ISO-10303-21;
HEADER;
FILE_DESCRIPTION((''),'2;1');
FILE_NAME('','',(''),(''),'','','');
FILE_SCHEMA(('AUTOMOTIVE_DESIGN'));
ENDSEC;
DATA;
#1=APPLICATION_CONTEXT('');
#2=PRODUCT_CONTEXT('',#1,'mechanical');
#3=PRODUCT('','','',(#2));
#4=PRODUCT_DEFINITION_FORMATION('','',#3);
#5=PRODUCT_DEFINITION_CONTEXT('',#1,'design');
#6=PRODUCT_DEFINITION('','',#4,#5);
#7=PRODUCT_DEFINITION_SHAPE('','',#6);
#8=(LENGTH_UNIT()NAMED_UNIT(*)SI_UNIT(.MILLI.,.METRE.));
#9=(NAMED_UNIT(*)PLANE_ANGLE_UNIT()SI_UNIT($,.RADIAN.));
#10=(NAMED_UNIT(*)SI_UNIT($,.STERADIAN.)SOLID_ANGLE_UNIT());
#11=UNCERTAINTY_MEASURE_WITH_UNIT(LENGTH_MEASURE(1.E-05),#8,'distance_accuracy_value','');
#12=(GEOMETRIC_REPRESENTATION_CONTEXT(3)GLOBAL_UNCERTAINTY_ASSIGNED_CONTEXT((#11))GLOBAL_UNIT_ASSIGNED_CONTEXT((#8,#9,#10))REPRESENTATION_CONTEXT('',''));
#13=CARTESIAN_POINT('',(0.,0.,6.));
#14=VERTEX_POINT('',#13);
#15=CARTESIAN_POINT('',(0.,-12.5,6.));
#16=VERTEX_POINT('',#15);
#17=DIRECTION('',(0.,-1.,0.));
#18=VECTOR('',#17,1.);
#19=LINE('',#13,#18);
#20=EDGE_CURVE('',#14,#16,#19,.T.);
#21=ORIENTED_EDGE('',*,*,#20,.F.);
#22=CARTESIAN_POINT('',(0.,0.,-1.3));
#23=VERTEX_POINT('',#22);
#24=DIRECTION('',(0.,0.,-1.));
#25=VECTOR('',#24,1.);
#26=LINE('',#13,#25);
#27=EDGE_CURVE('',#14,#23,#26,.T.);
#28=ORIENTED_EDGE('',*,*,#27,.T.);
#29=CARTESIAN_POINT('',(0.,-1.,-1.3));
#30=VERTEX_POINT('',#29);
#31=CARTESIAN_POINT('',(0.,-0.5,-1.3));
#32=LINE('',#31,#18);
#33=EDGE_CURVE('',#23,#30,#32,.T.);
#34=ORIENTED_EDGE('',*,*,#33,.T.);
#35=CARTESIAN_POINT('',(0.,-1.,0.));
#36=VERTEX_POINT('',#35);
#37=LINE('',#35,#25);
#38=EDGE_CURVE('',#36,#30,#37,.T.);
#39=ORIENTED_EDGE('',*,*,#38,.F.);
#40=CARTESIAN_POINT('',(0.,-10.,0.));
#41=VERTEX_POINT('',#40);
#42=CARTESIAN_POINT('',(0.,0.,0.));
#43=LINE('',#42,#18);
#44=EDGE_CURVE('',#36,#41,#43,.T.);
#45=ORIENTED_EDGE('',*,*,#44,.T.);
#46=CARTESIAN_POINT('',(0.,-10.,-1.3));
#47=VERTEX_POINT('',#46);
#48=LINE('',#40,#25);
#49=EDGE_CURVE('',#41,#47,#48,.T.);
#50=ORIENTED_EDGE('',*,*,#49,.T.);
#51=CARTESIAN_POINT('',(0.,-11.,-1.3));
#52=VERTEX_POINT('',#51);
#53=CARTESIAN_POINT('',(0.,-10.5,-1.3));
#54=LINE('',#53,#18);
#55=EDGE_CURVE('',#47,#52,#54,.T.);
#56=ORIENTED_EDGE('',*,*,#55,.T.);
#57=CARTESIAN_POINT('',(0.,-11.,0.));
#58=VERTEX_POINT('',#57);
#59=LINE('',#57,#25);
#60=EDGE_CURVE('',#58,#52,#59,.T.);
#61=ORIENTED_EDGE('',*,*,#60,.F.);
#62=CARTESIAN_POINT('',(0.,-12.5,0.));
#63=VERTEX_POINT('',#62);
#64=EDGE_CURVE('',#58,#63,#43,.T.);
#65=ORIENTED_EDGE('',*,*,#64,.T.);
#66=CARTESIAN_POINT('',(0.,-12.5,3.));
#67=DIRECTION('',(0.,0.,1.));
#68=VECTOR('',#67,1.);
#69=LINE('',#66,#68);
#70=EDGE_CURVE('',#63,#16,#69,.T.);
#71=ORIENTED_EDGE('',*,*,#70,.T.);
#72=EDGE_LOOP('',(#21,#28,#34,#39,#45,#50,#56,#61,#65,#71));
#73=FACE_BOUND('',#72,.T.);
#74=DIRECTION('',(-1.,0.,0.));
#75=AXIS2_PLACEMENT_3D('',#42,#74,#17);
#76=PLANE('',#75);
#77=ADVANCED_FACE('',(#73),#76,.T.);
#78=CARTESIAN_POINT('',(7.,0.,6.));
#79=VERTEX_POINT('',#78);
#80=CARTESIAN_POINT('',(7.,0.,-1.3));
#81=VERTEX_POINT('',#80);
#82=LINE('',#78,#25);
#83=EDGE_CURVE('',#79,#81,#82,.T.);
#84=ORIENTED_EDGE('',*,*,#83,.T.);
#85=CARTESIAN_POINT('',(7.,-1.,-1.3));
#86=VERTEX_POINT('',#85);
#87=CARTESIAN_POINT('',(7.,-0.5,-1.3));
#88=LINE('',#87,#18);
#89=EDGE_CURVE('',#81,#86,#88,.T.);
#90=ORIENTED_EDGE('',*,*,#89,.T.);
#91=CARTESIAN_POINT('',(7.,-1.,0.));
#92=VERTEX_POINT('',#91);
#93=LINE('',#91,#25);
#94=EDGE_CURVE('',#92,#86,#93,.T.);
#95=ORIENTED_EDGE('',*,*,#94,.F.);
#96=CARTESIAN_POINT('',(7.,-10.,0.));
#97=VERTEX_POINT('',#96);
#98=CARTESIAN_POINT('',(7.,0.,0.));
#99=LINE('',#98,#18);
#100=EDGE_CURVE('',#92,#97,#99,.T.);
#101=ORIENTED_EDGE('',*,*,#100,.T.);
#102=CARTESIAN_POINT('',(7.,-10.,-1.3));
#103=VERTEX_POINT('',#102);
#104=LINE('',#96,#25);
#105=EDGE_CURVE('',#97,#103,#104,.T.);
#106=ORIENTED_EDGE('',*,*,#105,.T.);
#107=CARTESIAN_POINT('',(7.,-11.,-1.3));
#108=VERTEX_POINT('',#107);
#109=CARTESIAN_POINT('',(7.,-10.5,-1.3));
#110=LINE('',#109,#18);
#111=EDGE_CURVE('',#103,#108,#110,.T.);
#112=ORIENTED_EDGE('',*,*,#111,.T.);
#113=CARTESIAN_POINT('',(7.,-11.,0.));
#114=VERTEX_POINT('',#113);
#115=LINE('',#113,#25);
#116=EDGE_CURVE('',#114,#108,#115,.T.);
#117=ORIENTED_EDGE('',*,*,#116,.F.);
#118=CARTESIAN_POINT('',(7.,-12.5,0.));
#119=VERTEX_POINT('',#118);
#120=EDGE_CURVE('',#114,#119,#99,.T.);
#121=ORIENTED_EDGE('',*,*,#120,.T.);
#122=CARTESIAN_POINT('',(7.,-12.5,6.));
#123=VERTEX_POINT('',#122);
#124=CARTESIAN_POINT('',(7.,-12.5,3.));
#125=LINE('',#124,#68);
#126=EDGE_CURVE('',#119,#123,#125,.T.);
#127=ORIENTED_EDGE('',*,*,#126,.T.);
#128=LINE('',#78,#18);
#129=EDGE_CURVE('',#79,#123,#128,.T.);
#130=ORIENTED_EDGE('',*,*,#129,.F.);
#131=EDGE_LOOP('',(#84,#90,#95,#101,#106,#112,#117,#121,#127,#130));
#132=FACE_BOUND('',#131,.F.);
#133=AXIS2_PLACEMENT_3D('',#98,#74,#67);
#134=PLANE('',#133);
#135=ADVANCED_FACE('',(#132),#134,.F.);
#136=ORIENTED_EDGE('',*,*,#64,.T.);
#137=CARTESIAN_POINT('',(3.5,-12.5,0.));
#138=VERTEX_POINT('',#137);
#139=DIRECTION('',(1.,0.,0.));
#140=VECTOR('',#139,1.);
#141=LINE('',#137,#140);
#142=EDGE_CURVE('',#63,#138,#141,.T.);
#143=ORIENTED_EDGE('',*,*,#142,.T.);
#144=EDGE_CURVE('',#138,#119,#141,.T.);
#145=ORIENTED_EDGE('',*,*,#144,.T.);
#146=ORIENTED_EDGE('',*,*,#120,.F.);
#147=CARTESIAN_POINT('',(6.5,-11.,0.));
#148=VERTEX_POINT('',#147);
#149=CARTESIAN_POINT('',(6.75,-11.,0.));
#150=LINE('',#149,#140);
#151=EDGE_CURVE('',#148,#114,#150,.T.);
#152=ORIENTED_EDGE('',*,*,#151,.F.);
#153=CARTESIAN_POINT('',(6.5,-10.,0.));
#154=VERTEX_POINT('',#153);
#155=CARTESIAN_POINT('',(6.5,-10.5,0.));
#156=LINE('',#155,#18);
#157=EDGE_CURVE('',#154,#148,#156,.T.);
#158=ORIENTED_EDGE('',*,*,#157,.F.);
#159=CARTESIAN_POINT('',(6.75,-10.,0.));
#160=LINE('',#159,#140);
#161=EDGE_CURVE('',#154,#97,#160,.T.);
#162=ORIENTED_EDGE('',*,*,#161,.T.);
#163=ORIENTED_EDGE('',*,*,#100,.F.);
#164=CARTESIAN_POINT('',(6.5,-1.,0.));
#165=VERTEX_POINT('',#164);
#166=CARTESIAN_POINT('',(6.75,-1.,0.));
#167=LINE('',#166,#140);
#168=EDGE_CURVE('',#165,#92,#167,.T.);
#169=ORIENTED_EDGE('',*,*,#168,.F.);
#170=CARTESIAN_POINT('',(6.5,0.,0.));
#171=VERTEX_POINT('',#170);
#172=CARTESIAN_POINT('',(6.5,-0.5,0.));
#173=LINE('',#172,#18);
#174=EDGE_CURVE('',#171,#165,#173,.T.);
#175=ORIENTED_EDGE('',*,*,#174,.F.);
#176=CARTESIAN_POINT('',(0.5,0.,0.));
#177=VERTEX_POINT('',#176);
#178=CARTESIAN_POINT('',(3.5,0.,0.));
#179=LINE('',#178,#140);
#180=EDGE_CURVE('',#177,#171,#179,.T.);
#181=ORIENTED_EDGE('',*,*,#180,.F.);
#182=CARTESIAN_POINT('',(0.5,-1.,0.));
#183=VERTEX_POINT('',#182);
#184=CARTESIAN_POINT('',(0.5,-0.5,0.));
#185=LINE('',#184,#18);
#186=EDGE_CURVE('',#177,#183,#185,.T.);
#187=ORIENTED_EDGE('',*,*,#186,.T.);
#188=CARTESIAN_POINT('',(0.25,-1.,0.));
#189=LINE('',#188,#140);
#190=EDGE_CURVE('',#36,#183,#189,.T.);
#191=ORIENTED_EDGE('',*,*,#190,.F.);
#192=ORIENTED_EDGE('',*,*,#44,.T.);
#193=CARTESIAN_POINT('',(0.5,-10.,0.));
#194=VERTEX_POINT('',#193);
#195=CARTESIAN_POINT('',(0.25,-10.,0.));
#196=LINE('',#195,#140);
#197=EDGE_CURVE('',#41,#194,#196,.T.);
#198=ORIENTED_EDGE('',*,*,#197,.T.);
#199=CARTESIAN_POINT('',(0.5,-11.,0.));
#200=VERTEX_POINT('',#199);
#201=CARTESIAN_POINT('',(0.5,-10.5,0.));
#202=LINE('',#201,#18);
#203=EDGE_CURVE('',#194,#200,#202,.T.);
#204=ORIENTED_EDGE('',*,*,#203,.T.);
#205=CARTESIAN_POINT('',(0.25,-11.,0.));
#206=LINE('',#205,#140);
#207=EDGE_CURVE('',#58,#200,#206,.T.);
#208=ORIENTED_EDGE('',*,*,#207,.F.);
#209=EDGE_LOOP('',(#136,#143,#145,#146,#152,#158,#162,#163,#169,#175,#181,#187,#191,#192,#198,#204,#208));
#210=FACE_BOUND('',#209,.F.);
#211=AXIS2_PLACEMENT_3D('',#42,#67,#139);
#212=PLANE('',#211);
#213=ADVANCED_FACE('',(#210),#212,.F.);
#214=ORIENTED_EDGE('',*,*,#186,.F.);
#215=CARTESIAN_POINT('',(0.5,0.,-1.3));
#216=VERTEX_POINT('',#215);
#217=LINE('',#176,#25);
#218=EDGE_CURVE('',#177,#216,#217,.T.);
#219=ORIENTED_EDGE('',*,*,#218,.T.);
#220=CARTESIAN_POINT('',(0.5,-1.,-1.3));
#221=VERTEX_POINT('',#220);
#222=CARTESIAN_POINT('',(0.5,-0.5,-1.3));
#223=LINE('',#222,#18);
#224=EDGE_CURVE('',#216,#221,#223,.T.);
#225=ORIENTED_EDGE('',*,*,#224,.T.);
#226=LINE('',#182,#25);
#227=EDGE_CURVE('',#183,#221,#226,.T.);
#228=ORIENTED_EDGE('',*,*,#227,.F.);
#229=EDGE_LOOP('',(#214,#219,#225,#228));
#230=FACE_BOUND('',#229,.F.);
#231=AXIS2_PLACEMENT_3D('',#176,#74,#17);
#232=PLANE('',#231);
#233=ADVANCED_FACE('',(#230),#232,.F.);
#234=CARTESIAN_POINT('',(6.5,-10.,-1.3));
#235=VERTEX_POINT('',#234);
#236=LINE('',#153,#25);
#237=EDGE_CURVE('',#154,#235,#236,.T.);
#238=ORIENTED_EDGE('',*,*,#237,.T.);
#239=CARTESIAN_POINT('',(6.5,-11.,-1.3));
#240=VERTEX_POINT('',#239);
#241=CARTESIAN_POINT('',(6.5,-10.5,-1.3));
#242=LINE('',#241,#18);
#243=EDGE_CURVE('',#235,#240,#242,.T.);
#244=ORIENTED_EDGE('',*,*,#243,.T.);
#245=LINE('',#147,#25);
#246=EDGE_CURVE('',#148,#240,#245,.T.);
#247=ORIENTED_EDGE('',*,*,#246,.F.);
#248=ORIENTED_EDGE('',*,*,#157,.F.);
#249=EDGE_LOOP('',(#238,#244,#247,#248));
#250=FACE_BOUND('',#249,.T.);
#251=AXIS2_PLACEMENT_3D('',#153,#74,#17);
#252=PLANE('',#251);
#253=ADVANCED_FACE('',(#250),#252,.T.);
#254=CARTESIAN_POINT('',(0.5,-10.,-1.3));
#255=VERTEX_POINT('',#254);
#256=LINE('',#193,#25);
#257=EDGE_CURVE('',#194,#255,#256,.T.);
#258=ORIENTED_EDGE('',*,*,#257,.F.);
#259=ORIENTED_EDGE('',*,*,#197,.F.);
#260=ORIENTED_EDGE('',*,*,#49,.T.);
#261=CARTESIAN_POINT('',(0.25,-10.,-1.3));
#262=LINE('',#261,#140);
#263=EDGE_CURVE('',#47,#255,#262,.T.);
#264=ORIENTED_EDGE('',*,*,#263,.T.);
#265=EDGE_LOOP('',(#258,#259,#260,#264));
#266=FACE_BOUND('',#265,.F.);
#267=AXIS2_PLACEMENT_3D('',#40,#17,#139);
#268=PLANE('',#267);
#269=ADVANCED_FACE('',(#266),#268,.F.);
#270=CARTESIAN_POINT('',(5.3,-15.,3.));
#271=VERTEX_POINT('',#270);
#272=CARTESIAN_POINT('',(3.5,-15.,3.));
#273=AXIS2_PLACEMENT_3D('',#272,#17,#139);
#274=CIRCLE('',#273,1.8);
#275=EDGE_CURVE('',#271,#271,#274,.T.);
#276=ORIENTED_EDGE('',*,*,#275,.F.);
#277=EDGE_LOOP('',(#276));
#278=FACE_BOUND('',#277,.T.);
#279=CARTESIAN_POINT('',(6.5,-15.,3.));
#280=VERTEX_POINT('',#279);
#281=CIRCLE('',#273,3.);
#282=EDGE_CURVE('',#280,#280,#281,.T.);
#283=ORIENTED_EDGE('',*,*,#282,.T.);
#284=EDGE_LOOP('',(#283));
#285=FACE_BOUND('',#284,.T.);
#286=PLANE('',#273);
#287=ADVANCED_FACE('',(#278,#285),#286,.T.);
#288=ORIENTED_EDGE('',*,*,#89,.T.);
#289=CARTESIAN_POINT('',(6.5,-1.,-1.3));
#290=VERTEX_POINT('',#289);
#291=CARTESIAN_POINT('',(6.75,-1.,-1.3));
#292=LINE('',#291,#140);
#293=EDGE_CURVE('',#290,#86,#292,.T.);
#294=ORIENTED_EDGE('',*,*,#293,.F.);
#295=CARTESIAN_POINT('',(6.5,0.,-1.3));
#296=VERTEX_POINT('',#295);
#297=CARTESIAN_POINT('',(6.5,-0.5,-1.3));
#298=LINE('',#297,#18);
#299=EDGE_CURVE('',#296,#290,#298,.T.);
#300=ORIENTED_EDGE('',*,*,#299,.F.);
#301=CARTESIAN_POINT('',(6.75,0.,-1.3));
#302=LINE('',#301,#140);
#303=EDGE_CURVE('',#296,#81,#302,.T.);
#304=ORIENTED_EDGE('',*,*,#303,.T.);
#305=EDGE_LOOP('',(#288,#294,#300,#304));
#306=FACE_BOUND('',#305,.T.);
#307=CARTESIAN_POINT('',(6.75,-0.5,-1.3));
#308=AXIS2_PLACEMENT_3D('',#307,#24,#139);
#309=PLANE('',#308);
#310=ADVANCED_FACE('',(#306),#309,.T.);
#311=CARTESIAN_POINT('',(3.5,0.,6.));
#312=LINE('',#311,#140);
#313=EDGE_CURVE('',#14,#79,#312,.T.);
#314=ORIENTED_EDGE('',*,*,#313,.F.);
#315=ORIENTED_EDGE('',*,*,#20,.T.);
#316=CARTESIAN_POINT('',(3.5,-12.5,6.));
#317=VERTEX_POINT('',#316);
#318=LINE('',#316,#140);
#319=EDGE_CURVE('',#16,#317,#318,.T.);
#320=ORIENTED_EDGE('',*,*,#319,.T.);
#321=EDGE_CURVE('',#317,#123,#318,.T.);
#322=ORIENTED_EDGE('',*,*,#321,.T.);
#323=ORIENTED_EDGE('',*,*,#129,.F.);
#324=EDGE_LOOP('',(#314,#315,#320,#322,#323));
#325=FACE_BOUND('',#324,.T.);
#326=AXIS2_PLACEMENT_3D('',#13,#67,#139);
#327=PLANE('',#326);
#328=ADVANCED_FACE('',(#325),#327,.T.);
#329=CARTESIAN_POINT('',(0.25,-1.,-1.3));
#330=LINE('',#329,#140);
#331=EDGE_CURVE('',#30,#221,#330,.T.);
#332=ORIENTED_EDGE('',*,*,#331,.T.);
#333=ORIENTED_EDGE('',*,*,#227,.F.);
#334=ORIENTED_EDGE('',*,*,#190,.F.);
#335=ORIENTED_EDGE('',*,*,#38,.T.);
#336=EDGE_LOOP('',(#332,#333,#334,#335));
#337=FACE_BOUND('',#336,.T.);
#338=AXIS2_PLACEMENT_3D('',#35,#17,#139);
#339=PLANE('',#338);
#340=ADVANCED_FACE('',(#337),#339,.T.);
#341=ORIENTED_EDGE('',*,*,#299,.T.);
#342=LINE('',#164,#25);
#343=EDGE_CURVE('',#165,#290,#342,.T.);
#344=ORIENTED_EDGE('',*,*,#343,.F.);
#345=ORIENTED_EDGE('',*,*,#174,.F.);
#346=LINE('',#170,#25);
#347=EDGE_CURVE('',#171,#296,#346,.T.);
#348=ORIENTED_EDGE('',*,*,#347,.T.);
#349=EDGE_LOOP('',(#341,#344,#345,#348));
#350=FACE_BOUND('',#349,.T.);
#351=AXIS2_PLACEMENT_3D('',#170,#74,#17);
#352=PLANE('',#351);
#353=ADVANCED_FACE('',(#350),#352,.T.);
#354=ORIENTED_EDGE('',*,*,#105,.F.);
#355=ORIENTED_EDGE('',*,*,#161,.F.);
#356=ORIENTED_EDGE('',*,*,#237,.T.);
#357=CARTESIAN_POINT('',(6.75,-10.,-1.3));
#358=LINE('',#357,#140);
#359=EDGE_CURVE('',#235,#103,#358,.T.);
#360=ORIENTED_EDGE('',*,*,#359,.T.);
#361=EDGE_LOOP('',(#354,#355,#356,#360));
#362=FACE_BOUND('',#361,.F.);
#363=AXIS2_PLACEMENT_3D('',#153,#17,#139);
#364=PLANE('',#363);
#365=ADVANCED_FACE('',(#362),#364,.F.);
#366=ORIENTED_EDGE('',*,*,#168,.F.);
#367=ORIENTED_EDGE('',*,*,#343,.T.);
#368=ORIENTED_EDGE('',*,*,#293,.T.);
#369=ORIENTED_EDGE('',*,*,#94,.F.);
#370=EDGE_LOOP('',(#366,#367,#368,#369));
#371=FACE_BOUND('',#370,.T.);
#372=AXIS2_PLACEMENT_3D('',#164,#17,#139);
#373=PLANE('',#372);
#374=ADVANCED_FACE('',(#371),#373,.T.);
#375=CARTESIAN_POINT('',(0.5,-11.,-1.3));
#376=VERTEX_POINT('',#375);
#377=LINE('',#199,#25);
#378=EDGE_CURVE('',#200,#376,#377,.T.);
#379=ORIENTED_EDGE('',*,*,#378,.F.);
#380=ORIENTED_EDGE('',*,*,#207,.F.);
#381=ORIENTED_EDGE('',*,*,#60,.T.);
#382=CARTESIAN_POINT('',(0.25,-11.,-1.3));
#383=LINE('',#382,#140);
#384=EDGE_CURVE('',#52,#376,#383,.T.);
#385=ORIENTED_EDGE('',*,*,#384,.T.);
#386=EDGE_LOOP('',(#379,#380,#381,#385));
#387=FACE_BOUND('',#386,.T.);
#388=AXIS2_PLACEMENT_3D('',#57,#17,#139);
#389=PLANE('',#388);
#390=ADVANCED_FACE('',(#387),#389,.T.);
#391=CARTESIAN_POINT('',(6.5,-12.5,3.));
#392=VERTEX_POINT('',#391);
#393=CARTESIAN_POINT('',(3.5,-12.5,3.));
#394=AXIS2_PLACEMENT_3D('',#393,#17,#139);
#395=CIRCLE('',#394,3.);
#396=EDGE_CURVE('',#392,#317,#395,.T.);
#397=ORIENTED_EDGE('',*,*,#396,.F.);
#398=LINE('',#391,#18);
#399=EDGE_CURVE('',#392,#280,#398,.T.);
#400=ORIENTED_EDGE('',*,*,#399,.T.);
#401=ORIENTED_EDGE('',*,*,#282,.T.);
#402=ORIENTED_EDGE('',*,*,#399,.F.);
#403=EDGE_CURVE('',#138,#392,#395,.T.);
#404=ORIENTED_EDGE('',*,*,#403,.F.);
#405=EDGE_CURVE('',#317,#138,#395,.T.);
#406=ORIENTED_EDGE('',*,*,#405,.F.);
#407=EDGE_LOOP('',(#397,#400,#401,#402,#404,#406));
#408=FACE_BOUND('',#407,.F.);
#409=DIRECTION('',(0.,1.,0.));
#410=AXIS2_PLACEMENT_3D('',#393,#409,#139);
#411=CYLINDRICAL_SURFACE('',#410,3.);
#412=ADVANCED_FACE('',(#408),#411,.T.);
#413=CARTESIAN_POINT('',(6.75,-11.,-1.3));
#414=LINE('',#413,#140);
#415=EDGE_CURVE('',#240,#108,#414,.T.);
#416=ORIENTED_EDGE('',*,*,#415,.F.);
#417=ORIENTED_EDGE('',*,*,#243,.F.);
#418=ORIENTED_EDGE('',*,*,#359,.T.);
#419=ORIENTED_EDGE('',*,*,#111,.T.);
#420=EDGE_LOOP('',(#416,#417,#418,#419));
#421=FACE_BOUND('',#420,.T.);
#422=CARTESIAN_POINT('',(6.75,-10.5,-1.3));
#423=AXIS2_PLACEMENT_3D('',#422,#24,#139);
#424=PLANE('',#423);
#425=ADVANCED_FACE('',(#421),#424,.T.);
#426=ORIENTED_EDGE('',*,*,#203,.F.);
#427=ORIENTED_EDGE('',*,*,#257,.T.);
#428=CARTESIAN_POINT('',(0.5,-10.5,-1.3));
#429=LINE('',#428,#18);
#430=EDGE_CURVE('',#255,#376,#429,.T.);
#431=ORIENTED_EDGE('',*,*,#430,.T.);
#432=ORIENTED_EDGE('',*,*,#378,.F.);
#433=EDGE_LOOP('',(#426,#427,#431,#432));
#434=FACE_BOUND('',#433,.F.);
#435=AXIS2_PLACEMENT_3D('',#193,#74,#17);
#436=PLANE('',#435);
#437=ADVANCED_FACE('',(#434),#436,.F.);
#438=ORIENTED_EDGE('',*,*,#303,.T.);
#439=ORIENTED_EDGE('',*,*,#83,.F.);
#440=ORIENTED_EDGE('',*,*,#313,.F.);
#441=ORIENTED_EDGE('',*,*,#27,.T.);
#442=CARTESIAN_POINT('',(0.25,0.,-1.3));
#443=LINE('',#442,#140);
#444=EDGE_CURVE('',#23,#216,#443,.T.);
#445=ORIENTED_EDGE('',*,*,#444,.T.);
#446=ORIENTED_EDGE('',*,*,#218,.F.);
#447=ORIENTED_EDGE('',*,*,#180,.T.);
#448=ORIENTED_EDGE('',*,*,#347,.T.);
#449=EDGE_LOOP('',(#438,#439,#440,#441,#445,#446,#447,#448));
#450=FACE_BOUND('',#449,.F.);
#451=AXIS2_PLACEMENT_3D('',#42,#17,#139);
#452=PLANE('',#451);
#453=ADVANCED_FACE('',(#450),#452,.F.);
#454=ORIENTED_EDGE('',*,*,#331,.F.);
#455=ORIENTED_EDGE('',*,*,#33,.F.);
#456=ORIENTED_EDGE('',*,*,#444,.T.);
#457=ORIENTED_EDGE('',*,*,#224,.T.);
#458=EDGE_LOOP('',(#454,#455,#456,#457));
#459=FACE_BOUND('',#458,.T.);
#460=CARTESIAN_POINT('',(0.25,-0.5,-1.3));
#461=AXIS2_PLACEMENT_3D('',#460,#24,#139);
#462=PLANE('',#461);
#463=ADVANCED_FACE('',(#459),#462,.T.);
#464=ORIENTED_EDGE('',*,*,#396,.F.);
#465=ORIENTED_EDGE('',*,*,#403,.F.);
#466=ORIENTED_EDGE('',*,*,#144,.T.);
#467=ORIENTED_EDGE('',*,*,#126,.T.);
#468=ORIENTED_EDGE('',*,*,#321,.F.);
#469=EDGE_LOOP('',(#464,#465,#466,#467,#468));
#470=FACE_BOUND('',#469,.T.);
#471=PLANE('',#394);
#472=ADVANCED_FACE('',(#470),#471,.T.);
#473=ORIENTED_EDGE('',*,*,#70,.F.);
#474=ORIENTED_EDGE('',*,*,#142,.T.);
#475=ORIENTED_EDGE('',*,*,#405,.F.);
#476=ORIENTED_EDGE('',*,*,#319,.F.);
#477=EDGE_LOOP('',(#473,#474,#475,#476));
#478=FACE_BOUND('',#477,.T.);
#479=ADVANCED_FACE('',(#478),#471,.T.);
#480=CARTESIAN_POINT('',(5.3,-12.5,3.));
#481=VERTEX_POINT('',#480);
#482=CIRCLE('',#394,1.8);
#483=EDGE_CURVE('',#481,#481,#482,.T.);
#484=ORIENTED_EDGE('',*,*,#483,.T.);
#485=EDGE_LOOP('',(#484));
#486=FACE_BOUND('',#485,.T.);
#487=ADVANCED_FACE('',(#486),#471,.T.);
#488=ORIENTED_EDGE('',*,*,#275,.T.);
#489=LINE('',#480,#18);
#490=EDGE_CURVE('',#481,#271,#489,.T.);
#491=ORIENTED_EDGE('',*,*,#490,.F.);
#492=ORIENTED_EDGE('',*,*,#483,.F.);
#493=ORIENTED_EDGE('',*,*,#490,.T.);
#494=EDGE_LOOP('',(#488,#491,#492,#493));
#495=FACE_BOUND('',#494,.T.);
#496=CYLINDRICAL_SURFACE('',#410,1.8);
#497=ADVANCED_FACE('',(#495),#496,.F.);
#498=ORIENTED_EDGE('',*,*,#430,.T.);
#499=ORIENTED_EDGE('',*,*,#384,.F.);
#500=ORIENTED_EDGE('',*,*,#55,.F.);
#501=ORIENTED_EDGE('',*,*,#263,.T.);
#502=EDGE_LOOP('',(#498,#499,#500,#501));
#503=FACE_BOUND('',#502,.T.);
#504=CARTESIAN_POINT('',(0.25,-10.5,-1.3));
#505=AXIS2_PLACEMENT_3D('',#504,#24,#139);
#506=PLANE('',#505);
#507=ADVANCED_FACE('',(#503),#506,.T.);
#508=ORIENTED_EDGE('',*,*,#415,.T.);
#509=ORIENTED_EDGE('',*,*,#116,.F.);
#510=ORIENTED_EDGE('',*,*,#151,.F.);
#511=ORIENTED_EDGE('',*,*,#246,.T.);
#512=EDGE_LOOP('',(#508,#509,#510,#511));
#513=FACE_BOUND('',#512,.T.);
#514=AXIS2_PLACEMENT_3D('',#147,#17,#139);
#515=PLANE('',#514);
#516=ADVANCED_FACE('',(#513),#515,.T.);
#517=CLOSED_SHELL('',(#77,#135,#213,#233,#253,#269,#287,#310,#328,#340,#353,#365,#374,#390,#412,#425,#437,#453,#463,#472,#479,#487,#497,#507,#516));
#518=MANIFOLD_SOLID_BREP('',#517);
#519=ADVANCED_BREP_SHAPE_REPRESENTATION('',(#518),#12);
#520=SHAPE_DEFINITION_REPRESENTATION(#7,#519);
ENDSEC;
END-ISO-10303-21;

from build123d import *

# Parameters (mm, degrees)
F0_W     = 7
F0_H     = 6
F1_DEPTH = 12.5
F2_R     = 3
F2_R_2   = 1.8
F3_DEPTH = 2.5
F4_W     = 0.5
F4_H     = 1
F5_DEPTH = 1.3


with BuildPart() as f1:
    # F0 (on Front) → F1 (new body)
    with BuildSketch(Plane.XZ):
        with Locations((3.5, 3)):
            Rectangle(F0_W, F0_H)
    extrude(amount=F1_DEPTH)

    # F2 (on face) → F3 (join)
    with BuildSketch(Plane.XZ.offset(12.5)):
        with Locations((3.5, 3)):
            Circle(F2_R)
        with Locations((3.5, 3)):
            Circle(F2_R_2, mode=Mode.SUBTRACT)
    extrude(amount=F3_DEPTH)

    # F4 (on face) → F5 (join)
    with BuildSketch(Plane(origin=(0, 0, 0), x_dir=(1, 0, 0), z_dir=(0, 0, -1))):
        with Locations((0.25, 0.5)):
            Rectangle(F4_W, F4_H)
        with Locations((0.25, 10.5)):
            Rectangle(F4_W, F4_H)
        with Locations((6.75, 10.5)):
            Rectangle(F4_W, F4_H)
        with Locations((6.75, 0.5)):
            Rectangle(F4_W, F4_H)
    extrude(amount=F5_DEPTH)


solid = f1.part
